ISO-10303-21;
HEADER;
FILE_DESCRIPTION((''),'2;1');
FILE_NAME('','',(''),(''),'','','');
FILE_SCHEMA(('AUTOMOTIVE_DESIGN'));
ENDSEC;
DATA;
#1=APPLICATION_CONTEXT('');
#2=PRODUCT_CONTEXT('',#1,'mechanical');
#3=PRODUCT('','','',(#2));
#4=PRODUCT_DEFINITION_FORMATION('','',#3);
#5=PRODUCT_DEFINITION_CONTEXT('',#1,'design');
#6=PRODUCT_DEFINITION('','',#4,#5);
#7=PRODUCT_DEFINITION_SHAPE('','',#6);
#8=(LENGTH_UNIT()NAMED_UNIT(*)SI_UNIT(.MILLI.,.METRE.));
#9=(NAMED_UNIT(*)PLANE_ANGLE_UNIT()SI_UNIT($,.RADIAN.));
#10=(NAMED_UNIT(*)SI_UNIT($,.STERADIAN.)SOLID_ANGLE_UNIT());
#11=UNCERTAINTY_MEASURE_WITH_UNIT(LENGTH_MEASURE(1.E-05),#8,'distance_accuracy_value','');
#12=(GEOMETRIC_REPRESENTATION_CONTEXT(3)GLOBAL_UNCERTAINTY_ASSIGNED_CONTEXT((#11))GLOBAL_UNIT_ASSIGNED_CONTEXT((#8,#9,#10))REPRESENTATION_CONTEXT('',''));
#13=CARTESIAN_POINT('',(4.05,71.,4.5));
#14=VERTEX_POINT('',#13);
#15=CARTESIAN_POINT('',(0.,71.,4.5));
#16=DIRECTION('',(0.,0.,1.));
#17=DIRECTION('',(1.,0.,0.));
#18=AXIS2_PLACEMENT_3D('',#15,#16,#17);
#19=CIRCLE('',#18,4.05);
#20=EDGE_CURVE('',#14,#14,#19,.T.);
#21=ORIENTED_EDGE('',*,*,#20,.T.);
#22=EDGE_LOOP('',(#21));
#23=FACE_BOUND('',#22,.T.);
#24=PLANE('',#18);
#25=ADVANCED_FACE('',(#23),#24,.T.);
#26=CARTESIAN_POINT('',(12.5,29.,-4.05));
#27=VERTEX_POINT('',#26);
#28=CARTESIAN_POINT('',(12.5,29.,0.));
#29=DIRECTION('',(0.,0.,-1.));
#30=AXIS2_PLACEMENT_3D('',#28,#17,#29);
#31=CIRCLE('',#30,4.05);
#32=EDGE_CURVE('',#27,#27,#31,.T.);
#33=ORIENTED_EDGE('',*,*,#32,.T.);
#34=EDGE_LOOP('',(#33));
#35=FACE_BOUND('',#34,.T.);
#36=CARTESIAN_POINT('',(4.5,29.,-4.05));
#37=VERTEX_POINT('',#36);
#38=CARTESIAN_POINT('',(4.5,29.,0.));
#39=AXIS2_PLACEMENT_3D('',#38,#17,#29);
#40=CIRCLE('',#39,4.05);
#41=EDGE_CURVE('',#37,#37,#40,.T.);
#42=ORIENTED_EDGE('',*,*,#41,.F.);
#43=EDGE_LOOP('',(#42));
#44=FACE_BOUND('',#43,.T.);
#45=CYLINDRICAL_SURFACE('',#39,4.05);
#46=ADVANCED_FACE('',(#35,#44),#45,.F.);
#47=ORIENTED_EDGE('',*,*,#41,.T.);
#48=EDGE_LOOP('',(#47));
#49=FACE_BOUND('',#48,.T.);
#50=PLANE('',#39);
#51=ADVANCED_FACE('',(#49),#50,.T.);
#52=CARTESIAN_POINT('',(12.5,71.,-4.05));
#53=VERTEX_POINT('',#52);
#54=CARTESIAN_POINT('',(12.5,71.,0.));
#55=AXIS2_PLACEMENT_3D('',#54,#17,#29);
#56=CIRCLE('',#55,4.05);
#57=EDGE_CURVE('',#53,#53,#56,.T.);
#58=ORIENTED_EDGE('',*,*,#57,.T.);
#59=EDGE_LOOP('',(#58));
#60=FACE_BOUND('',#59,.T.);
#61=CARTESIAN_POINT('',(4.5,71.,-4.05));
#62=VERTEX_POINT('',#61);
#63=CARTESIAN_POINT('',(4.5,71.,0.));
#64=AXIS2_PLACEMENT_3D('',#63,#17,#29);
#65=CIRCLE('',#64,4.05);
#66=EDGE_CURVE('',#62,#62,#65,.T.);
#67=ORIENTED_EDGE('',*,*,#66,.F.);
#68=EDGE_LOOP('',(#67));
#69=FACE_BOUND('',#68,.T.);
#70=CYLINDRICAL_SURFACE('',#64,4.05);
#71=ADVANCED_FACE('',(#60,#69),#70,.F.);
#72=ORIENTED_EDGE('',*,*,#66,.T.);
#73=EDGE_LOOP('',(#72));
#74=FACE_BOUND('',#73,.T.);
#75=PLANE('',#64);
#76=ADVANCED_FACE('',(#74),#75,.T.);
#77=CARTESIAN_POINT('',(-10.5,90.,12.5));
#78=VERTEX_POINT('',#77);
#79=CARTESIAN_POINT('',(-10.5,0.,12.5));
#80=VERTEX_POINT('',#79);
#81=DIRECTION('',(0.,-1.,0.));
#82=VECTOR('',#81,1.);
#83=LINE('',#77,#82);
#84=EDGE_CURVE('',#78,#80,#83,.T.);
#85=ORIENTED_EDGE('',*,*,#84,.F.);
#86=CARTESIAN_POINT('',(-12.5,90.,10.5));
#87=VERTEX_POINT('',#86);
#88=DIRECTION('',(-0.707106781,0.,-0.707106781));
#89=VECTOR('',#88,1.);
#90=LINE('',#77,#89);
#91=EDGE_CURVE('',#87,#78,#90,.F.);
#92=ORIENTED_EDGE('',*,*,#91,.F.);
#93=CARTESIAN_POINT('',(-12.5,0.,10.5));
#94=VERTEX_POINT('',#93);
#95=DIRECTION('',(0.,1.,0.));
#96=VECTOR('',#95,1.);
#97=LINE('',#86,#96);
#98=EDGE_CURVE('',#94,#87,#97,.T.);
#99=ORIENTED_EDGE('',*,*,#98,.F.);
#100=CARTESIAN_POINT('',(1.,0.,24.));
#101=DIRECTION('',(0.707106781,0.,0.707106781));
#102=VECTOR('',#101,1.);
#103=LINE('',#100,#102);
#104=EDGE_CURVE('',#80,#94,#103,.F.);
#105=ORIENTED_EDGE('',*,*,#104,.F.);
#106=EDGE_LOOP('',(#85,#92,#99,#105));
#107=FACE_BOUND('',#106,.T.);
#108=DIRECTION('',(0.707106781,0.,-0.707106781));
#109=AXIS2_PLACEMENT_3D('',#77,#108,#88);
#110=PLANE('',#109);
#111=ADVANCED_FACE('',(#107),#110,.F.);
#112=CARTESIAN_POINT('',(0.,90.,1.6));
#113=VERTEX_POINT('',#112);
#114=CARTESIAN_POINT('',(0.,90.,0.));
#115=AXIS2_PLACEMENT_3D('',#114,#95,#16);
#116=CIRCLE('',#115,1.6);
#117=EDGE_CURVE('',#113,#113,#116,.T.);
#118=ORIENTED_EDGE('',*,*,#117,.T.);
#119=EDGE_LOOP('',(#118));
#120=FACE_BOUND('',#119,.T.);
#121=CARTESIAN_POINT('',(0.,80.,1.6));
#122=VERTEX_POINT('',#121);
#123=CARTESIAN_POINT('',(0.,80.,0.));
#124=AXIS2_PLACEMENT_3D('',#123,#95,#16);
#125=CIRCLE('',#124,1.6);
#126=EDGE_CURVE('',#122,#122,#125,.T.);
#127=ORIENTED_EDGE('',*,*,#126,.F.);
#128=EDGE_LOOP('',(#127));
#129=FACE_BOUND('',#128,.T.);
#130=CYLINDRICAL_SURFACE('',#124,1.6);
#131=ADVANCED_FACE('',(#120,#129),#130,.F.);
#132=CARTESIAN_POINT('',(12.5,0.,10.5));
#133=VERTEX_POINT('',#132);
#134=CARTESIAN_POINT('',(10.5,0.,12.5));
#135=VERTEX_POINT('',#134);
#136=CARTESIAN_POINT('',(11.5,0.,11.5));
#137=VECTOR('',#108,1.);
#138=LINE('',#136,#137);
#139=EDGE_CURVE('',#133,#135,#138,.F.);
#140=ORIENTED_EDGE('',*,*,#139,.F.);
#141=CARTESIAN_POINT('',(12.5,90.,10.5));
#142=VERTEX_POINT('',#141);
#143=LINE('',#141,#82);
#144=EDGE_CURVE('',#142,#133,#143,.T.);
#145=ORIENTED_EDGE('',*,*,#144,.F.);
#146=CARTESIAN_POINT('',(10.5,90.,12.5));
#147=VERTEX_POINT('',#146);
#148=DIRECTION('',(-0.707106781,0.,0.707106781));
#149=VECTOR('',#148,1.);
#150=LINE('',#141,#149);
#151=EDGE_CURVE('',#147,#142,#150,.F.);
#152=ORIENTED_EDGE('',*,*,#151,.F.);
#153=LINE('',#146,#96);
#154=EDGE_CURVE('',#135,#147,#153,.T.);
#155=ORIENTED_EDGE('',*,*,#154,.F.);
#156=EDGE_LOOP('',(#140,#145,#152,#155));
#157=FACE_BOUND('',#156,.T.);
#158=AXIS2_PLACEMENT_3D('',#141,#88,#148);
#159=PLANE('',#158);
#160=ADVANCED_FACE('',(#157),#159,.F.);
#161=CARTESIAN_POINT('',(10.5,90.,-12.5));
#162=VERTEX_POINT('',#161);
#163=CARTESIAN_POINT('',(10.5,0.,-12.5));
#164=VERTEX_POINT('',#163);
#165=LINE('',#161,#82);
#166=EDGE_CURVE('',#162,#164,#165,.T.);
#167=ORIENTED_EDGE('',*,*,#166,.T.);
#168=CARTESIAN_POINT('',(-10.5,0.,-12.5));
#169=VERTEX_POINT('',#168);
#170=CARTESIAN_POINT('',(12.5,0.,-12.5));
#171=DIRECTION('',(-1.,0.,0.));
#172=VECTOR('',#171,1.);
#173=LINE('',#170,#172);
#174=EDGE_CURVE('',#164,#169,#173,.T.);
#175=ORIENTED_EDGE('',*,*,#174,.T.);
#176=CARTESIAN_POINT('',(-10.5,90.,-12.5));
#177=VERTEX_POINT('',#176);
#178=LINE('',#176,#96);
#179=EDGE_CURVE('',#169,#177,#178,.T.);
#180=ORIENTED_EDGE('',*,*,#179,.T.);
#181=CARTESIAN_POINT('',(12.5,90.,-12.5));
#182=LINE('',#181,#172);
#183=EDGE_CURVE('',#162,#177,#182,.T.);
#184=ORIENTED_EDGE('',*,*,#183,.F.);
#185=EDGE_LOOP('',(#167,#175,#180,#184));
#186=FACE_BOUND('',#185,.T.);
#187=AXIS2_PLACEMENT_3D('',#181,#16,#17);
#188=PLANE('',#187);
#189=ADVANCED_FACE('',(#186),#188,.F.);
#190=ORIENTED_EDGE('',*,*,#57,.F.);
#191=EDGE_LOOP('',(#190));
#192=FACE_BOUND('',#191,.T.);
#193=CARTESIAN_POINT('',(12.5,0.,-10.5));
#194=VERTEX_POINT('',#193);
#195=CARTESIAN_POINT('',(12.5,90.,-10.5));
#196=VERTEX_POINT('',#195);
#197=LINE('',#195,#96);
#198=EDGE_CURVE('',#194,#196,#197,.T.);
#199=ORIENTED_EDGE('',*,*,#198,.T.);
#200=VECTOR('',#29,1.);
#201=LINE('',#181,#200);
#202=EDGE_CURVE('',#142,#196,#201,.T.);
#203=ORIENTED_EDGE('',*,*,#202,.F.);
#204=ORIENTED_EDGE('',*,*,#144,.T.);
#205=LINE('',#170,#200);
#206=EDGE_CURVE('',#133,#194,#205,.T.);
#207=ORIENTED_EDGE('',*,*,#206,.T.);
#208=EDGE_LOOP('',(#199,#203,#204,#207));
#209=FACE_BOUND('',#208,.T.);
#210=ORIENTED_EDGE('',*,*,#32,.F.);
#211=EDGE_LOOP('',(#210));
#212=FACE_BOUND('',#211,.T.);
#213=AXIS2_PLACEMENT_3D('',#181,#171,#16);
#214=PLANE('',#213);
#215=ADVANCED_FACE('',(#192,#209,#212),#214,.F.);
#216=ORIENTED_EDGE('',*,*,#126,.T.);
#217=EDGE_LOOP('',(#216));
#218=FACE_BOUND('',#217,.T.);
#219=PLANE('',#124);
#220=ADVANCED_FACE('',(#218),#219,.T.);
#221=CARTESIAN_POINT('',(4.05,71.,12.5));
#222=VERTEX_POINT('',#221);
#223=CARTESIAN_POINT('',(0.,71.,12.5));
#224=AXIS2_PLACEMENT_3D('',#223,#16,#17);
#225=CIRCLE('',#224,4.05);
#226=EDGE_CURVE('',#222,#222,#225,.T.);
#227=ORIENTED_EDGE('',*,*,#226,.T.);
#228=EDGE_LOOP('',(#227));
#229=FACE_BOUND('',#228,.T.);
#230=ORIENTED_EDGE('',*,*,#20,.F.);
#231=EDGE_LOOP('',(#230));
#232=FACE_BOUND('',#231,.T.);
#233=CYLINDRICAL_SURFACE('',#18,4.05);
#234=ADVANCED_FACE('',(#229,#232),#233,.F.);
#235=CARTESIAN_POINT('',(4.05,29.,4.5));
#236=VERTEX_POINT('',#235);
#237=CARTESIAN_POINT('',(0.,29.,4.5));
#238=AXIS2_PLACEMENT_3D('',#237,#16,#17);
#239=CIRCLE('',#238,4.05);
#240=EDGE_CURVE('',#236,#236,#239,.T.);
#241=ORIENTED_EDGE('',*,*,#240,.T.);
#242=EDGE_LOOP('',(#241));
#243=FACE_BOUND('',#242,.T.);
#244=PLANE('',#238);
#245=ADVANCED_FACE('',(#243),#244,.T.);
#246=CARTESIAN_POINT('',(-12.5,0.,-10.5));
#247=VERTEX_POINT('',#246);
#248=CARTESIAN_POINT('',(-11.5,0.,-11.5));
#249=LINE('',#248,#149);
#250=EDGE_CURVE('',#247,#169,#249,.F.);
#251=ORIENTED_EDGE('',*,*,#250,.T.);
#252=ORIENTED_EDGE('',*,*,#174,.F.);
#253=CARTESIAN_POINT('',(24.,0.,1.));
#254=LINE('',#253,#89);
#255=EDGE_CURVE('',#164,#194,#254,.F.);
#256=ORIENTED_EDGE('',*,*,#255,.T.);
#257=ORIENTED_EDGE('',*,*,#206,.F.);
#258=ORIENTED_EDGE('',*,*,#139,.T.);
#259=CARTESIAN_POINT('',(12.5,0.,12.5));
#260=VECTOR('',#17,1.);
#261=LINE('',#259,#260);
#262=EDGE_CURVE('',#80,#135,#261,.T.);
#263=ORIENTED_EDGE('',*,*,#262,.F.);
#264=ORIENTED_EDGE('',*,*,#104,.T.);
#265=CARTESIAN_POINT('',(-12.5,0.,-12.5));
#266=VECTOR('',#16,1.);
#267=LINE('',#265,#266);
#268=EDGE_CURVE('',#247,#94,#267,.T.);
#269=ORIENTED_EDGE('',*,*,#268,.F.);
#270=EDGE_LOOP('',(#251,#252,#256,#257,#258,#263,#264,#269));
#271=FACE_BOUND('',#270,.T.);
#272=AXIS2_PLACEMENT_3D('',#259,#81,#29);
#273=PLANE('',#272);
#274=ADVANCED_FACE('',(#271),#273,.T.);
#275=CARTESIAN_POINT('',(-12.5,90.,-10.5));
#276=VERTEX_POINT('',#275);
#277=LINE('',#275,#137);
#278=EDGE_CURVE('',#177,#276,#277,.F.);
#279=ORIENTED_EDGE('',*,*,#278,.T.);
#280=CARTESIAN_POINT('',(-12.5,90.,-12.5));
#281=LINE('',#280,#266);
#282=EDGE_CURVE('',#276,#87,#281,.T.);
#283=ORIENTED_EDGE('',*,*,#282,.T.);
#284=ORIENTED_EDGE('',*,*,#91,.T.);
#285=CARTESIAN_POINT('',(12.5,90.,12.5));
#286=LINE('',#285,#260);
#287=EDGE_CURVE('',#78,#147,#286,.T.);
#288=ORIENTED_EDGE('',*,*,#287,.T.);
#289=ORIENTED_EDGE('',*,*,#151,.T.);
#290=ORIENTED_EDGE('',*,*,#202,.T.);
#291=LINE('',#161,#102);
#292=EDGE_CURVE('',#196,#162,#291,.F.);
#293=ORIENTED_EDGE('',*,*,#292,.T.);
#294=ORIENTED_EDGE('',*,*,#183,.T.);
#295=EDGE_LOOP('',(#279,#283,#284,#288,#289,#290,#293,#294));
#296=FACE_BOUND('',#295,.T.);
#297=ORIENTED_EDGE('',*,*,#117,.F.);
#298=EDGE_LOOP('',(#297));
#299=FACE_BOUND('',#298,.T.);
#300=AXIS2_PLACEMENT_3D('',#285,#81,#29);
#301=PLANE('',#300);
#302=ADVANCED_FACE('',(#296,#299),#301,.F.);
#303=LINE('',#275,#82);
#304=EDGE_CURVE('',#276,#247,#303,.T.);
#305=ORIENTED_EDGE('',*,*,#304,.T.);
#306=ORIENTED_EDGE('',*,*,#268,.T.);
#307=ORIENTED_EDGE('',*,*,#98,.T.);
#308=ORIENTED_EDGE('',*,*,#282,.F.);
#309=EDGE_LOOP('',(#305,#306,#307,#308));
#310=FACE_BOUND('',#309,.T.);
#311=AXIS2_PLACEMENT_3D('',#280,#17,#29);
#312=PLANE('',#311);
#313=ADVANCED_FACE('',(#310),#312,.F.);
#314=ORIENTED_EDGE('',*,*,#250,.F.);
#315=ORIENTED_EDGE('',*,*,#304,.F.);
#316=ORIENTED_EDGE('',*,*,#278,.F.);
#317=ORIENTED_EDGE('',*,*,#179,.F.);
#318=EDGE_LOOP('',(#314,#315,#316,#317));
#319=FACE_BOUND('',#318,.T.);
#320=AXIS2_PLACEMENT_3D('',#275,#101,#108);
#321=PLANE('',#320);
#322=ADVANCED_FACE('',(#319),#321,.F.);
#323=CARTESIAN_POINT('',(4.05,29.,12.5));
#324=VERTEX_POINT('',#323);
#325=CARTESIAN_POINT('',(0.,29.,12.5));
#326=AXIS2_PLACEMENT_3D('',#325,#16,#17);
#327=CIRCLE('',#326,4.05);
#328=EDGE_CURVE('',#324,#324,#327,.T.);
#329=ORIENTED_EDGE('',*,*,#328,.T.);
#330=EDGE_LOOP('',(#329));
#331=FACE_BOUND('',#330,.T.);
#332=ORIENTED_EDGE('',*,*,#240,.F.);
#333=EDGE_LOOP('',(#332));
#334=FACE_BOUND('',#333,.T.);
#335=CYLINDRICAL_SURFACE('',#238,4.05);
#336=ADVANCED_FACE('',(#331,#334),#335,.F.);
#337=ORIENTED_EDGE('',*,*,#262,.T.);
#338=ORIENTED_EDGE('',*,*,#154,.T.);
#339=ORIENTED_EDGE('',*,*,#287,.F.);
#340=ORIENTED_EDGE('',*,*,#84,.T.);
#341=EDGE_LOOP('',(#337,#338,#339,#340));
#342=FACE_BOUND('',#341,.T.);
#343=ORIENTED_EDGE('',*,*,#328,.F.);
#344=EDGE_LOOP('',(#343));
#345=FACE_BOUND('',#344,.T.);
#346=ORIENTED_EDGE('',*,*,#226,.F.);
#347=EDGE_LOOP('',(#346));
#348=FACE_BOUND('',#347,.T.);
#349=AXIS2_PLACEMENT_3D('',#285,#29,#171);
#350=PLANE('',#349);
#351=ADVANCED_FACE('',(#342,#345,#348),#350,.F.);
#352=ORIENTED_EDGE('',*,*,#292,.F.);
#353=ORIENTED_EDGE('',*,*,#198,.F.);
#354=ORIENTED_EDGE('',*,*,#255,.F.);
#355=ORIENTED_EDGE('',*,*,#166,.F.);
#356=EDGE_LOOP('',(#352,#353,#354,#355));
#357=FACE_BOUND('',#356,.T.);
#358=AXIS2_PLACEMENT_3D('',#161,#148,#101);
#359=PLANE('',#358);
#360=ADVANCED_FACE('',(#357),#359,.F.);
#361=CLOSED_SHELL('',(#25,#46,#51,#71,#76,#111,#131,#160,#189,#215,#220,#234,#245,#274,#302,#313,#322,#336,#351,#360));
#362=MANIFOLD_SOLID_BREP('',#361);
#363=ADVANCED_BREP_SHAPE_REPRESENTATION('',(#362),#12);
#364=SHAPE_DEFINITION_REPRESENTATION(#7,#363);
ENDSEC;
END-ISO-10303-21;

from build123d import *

# Parameters (mm, degrees)
SKETCH1_W           = 25
SKETCH1_H           = 25
BOSS_EXTRUDE1_DEPTH = 90
SKETCH2_R           = 4.05
CUT_EXTRUDE1_DEPTH  = 8
SKETCH3_R           = 4.05
CUT_EXTRUDE7_DEPTH  = 8
CHAMFER1_SIZE       = 2
SKETCH5_R           = 1.6
CUT_EXTRUDE8_DEPTH  = 10


with BuildPart() as part:
    # Sketch1 → Boss-Extrude1 (new body)
    with BuildSketch(Plane(origin=(0, 0, 0), x_dir=(1, 0, 0), z_dir=(0, 1, 0))):
        Rectangle(SKETCH1_W, SKETCH1_H)
    extrude(amount=BOSS_EXTRUDE1_DEPTH)

    # Sketch2 → Cut-Extrude1 (cut)
    with BuildSketch(Plane(origin=(12.5, 0, 0), x_dir=(0, 0, -1), z_dir=(1, 0, 0))):
        with Locations((0, 71)):
            Circle(SKETCH2_R)
        with Locations((0, 29)):
            Circle(SKETCH2_R)
    extrude(amount=-CUT_EXTRUDE1_DEPTH, mode=Mode.SUBTRACT)

    # Sketch3 → Cut-Extrude7 (cut)
    with BuildSketch(Plane.XY.offset(12.5)):
        with Locations((0, 29)):
            Circle(SKETCH3_R)
        with Locations((0, 71)):
            Circle(SKETCH3_R)
    extrude(amount=-CUT_EXTRUDE7_DEPTH, mode=Mode.SUBTRACT)

    # Chamfer1
    chamfer1_edges = [part.edges().sort_by_distance(p)[0] for p in [
        (12.5, 45, 12.5),
        (-12.5, 45, 12.5),
        (-12.5, 45, -12.5),
        (12.5, 45, -12.5),
    ]]
    chamfer(chamfer1_edges, length=CHAMFER1_SIZE)

    # Sketch5 → Cut-Extrude8 (cut)
    with BuildSketch(Plane(origin=(0, 90, 0), x_dir=(1, 0, 0), z_dir=(0, 1, 0))):
        Circle(SKETCH5_R)
    extrude(amount=-CUT_EXTRUDE8_DEPTH, mode=Mode.SUBTRACT)


solid = part.part
